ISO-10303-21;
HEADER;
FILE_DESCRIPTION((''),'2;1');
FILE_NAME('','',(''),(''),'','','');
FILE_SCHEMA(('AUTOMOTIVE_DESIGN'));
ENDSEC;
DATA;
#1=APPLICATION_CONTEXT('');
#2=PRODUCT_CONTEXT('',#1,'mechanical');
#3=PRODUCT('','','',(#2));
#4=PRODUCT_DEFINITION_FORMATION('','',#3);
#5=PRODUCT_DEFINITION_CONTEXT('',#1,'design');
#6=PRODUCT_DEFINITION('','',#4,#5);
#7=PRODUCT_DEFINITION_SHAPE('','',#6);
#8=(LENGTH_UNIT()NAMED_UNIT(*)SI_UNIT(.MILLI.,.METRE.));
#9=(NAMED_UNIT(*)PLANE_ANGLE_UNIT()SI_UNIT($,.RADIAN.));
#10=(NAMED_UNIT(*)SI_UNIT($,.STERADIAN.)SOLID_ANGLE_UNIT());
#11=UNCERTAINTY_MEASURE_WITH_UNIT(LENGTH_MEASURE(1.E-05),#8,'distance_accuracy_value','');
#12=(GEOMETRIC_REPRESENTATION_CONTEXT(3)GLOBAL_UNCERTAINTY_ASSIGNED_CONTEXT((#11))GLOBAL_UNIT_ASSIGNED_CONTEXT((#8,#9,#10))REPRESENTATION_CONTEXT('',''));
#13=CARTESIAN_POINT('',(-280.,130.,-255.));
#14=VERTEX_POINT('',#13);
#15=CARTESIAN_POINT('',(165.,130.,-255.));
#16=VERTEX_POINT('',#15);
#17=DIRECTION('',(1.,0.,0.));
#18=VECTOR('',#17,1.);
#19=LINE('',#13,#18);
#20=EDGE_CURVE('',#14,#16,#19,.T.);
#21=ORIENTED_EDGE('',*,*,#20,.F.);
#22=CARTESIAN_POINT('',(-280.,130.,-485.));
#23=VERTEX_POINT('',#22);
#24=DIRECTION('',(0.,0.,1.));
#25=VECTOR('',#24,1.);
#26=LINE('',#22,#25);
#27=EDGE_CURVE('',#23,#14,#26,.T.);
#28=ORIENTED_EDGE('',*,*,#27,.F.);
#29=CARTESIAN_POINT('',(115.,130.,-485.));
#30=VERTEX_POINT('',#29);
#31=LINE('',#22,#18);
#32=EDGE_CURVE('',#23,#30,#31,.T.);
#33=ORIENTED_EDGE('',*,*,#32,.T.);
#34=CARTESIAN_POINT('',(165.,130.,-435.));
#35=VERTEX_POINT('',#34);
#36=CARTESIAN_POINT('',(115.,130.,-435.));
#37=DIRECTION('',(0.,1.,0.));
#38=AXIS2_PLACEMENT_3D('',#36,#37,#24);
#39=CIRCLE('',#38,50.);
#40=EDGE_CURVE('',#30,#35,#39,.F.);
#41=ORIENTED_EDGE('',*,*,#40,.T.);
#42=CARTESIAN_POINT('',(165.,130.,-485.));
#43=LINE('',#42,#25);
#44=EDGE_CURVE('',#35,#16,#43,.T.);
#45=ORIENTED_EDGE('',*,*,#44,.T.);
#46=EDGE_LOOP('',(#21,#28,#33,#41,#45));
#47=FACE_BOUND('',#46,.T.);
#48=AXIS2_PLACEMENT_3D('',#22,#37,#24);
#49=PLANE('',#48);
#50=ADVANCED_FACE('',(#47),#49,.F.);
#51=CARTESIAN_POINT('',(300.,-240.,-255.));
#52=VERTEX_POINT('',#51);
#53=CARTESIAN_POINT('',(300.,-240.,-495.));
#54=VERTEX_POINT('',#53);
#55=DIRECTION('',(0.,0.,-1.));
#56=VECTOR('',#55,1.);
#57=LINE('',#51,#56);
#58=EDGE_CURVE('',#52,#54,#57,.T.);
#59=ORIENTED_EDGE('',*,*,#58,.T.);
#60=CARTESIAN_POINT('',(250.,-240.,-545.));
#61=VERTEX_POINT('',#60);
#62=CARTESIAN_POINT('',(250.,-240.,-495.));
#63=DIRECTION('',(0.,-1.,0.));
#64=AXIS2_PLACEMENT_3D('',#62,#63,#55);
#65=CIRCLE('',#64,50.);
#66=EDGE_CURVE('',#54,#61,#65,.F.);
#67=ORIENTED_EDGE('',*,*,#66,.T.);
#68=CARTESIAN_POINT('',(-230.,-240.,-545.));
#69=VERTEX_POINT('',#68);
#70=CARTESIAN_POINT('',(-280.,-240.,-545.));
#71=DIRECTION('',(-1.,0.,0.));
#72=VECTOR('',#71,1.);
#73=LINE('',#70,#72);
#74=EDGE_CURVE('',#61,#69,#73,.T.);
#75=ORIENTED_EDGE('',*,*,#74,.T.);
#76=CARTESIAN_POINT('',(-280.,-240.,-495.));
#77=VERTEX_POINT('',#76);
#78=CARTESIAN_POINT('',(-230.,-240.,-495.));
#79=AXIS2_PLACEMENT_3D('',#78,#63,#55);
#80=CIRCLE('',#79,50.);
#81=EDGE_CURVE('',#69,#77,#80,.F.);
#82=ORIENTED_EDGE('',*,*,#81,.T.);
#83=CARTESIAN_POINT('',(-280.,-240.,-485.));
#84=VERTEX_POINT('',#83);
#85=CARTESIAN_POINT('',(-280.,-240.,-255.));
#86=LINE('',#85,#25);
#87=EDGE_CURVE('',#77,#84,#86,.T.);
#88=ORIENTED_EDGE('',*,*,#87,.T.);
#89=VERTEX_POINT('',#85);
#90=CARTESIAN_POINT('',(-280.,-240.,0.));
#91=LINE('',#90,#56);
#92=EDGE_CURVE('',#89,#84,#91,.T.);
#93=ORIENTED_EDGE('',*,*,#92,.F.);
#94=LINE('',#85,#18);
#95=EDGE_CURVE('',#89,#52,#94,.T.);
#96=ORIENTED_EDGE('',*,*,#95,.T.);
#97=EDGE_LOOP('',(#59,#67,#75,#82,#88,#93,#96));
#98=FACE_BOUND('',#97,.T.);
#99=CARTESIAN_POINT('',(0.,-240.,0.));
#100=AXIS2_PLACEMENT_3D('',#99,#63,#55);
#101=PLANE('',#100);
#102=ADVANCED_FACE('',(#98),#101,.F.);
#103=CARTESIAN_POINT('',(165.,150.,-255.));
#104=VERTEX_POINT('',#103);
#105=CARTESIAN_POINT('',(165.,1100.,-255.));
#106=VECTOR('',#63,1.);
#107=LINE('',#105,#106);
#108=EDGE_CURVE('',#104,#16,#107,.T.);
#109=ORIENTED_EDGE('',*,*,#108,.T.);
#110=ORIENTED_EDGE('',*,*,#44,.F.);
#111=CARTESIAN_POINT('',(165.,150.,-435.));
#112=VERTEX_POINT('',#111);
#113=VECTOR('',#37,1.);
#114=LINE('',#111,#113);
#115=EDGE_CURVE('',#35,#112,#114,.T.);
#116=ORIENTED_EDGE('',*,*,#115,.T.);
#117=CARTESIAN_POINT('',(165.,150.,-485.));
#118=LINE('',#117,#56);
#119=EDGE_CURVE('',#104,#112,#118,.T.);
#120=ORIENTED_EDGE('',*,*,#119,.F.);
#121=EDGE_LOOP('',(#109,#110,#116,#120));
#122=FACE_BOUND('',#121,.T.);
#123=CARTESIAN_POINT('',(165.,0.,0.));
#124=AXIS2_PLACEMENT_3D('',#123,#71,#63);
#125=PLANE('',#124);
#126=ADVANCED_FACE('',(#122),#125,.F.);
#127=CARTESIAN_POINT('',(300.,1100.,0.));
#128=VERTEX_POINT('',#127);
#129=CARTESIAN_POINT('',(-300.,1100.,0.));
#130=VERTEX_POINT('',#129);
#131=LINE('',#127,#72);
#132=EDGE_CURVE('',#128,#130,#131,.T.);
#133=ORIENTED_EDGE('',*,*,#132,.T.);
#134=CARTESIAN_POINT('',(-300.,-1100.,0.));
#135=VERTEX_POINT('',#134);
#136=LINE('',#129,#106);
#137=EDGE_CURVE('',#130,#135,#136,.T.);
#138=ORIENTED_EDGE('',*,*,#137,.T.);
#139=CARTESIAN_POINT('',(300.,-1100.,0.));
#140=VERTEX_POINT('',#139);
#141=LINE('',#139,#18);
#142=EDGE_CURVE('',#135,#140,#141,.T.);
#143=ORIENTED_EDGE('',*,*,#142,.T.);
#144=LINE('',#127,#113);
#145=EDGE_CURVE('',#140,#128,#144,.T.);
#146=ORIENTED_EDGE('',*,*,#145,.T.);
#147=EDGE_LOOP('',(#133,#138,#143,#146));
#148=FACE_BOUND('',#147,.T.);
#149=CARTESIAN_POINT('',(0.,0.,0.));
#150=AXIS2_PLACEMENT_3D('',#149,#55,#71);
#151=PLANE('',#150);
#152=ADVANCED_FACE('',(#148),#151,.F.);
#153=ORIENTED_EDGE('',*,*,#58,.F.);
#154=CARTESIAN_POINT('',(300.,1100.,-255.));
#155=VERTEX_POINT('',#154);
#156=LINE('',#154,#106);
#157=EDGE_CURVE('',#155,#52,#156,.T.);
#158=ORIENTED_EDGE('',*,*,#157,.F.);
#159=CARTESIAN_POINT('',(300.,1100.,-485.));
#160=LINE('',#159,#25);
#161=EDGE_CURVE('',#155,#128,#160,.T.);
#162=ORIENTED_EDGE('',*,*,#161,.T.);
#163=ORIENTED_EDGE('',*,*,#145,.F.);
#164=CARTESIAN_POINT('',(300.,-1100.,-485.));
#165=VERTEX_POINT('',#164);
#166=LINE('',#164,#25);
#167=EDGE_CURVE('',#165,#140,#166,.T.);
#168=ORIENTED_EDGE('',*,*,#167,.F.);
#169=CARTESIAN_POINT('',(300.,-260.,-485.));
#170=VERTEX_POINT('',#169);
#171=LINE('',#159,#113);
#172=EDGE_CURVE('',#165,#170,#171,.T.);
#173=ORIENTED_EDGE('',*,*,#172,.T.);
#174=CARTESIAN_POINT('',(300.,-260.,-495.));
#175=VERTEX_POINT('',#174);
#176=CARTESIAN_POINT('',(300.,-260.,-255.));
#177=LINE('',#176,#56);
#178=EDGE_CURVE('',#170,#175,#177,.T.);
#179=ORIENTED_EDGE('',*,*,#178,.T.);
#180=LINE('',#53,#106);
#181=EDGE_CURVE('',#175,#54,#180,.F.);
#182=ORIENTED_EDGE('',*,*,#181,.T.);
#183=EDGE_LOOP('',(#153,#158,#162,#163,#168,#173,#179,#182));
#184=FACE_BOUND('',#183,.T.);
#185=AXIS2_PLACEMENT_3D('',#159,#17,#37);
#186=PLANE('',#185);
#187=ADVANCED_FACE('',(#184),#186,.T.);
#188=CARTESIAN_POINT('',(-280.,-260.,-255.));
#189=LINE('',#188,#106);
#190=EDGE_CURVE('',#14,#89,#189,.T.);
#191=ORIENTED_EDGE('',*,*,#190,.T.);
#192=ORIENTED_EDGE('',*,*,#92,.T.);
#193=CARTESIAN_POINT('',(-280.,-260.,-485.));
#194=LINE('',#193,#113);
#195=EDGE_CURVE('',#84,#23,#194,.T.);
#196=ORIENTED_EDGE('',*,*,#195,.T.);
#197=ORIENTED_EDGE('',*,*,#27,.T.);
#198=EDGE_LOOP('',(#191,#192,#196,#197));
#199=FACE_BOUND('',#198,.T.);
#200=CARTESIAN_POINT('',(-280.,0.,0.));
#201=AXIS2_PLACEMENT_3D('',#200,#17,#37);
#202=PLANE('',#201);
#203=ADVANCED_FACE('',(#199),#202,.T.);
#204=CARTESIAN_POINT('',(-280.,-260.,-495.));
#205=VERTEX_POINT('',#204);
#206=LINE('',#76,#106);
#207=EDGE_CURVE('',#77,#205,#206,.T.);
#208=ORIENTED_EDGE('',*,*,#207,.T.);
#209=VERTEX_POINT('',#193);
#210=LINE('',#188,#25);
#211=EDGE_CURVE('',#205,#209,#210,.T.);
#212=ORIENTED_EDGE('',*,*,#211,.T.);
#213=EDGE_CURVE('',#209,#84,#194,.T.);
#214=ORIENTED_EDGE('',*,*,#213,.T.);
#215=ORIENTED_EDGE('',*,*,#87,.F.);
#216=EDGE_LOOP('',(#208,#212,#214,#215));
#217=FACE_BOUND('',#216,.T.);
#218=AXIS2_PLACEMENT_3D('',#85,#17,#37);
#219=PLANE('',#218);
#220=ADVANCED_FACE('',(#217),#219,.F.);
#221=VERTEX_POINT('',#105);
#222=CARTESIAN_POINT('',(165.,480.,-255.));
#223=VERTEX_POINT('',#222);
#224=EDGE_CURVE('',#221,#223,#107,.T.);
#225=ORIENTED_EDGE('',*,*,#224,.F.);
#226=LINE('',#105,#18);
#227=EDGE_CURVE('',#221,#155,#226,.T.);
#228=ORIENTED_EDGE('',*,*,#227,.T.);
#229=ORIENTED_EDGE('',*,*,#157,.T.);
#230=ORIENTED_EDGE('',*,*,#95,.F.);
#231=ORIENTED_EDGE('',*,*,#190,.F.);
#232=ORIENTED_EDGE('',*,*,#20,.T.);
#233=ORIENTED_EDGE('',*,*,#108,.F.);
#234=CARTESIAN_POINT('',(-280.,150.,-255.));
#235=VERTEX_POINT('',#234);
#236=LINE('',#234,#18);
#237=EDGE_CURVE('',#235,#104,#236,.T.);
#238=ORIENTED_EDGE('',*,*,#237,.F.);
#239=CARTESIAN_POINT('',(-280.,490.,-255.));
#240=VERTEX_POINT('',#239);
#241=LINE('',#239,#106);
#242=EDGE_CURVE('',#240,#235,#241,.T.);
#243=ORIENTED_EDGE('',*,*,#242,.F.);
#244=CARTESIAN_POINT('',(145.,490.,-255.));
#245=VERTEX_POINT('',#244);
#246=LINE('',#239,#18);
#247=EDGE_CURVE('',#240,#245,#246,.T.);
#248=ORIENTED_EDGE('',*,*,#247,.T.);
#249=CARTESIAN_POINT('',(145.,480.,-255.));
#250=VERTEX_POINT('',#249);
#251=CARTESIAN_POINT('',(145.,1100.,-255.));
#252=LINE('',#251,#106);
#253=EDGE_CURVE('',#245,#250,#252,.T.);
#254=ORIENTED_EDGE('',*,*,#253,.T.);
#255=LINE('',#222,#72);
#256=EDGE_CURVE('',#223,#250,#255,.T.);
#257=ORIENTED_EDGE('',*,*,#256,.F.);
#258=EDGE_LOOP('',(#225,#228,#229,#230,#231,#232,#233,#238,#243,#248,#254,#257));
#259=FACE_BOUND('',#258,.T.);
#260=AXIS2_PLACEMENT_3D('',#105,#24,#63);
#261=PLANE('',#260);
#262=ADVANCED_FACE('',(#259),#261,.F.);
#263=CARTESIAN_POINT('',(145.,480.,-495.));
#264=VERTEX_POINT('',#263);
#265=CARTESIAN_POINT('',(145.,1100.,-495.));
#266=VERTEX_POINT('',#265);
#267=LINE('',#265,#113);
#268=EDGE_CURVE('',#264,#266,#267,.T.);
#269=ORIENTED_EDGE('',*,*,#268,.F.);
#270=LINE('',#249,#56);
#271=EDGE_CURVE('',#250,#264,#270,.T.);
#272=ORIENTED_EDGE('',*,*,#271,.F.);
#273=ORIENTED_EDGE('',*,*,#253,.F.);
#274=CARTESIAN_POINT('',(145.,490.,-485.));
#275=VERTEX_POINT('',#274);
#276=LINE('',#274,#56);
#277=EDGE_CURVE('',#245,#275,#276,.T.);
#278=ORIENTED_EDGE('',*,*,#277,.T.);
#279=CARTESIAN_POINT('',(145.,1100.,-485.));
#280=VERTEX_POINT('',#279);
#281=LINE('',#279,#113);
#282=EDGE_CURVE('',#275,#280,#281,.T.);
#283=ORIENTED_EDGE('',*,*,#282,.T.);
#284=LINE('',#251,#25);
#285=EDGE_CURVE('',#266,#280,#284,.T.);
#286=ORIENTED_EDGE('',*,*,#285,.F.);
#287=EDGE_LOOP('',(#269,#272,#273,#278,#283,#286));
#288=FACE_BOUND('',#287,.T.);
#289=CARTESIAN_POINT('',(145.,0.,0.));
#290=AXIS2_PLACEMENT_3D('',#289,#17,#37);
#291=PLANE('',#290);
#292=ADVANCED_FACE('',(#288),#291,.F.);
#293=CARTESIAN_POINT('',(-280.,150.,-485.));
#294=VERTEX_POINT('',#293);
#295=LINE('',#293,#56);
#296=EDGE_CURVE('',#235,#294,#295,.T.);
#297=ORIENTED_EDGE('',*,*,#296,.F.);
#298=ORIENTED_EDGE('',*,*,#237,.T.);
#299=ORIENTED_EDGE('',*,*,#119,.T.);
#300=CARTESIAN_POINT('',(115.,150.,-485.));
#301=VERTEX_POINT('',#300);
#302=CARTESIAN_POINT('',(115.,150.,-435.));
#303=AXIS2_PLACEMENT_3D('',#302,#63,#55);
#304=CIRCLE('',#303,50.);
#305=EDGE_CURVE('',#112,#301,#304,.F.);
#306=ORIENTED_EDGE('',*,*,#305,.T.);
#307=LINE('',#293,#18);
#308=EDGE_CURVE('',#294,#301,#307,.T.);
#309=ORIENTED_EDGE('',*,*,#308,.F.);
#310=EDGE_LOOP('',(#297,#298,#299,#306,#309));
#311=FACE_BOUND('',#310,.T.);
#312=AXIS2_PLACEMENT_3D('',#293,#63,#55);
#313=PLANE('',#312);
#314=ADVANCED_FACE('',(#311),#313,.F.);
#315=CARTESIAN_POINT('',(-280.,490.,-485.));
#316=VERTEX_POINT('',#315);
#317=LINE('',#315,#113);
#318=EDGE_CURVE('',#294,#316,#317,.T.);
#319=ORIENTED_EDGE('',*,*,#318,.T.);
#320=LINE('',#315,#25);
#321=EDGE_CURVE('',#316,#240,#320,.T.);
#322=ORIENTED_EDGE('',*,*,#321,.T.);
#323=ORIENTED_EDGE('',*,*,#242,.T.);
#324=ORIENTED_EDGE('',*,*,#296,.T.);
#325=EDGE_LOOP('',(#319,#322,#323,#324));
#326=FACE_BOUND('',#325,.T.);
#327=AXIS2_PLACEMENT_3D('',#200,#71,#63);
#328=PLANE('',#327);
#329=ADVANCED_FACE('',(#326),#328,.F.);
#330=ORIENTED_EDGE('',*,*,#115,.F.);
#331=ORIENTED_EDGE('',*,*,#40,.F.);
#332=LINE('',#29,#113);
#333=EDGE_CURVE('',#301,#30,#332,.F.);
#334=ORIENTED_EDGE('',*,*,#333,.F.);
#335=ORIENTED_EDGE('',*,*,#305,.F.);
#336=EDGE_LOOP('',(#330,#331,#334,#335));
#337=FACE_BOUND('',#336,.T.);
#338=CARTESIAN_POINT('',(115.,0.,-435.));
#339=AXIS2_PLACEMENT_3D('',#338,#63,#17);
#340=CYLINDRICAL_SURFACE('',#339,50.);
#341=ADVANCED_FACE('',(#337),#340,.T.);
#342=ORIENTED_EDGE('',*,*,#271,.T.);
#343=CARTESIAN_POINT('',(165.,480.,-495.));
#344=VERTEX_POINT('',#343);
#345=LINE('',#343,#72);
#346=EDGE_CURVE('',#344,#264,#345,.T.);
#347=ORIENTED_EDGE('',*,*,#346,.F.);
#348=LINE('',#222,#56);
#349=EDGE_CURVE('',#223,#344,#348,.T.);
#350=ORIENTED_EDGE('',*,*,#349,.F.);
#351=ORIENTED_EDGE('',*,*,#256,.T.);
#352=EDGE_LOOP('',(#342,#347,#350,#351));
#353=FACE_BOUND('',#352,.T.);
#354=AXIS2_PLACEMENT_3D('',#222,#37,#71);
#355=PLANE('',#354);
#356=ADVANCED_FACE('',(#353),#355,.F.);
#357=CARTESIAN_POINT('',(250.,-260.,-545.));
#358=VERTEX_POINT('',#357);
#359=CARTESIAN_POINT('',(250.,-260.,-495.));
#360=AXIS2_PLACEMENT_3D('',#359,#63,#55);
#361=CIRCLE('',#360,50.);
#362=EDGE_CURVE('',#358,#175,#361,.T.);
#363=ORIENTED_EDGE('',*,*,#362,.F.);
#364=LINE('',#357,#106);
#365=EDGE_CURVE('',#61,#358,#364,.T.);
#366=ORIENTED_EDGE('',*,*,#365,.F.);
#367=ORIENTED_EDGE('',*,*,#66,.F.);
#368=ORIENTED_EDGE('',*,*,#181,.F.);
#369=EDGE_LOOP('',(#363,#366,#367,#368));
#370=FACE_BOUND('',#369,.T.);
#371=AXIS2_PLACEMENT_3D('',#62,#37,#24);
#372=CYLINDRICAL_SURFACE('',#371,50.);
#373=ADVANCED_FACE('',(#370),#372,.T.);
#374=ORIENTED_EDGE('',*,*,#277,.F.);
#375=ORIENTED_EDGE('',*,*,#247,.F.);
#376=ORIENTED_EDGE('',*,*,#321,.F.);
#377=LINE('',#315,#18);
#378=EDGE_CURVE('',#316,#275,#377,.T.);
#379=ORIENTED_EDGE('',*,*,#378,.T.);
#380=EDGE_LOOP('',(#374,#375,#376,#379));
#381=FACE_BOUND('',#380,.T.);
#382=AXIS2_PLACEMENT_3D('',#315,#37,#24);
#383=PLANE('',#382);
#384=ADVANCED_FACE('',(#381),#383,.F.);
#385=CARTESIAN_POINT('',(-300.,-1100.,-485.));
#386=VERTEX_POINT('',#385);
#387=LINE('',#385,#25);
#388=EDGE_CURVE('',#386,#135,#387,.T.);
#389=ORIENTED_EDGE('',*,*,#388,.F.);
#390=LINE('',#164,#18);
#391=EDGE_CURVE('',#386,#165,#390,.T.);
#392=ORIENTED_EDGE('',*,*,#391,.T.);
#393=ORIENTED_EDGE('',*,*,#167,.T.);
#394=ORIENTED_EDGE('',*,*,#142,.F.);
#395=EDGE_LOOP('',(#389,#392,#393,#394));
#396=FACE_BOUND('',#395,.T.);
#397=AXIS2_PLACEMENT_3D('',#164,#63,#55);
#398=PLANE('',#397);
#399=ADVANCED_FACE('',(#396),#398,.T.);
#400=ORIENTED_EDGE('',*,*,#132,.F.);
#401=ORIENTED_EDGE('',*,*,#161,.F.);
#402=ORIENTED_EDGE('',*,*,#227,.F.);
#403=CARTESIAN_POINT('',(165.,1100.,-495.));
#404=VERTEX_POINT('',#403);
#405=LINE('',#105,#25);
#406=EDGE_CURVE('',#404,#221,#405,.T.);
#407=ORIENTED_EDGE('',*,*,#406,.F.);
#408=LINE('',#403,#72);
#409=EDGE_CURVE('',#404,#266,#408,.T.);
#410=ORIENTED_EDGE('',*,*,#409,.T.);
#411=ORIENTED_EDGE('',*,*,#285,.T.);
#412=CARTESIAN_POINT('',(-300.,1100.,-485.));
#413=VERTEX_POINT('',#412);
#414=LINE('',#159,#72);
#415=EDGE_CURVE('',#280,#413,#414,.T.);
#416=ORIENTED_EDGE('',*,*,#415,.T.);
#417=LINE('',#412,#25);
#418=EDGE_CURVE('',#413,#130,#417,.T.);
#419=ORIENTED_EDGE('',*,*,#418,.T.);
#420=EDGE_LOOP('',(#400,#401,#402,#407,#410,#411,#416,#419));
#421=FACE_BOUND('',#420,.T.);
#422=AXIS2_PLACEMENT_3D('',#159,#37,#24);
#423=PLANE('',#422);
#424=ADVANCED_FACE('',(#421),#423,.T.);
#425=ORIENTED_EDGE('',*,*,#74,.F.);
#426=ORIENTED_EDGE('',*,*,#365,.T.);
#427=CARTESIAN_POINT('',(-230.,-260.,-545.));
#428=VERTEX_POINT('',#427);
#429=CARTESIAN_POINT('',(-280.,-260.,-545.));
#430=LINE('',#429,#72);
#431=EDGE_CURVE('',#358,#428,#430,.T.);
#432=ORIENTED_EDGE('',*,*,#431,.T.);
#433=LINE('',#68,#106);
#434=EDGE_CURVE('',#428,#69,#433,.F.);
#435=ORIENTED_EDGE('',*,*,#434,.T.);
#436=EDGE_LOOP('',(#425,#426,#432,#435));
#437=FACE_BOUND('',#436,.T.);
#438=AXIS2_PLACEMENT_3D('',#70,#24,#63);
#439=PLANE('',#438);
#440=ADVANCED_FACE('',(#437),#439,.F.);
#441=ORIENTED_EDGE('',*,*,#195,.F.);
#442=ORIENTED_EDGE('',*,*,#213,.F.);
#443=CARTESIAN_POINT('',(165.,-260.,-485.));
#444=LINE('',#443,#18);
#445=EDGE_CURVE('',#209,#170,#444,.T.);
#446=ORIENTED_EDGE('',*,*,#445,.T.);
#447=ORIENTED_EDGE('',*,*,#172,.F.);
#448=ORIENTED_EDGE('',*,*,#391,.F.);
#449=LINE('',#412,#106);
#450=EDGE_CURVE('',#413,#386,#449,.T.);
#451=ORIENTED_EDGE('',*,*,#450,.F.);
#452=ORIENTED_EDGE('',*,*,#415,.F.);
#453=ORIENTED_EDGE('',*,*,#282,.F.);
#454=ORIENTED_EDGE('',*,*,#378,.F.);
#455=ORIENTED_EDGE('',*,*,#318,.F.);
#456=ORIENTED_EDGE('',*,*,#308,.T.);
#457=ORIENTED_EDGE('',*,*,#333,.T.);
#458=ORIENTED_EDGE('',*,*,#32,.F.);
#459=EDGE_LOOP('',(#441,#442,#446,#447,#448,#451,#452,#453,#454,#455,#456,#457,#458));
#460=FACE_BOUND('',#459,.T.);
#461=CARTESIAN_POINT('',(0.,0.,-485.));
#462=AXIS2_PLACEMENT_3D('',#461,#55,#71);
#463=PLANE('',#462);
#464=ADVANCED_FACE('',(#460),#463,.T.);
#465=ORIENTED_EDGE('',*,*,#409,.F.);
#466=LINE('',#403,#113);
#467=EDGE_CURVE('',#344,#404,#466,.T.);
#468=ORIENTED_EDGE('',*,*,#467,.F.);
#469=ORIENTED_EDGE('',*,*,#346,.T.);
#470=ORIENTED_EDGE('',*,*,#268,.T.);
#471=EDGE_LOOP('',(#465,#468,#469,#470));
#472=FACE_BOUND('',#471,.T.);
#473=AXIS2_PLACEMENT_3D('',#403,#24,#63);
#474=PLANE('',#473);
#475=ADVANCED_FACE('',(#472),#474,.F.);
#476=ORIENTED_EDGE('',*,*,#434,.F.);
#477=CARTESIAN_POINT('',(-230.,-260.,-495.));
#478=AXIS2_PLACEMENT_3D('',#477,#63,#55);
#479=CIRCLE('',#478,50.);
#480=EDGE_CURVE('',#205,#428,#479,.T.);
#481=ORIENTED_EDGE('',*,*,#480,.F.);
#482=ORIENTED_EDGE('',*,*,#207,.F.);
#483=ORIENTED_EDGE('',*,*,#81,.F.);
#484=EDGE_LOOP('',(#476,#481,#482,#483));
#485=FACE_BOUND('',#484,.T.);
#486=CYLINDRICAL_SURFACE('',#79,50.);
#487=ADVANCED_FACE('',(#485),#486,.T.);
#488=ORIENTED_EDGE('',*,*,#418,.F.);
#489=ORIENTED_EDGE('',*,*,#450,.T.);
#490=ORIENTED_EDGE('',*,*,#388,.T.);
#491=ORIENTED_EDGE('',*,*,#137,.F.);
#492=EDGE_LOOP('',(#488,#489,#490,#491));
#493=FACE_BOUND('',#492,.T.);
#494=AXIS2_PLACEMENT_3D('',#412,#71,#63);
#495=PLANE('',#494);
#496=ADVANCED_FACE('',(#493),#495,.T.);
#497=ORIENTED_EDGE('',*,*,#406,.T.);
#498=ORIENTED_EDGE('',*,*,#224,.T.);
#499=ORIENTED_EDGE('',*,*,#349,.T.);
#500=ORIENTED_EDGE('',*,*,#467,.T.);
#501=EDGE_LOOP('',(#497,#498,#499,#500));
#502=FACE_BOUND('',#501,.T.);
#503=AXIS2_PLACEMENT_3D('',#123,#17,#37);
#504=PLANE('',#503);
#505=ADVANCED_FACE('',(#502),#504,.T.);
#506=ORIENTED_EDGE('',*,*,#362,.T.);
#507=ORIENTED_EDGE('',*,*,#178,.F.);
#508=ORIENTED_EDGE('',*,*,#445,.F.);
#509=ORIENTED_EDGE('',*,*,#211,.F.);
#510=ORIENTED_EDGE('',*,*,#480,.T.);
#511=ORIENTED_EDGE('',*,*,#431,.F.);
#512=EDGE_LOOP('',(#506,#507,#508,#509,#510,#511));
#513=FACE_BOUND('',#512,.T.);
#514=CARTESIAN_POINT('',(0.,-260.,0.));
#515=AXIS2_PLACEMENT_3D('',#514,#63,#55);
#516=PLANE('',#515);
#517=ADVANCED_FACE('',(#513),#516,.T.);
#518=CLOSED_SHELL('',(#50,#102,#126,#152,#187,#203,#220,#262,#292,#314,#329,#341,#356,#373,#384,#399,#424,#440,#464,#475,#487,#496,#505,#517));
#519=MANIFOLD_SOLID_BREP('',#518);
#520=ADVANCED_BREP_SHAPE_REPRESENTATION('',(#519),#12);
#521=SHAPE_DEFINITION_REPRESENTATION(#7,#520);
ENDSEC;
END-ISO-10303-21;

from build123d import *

# Parameters (mm, degrees)
SKETCH_1_W          = 600
SKETCH_1_H          = 2200
EXTRUDE_1_DEPTH     = 485
SKETCH_2_W          = 230
SKETCH_2_H          = 1360
CUT_EXTRUDE_1_DEPTH = 135
SKETCH_3_W          = 230
SKETCH_3_H          = 390
CUT_EXTRUDE_2_DEPTH = 445
SKETCH_4_W          = 230
SKETCH_4_H          = 340
CUT_EXTRUDE_3_DEPTH = 445
SKETCH_5_W          = 580
SKETCH_5_H          = 290
EXTRUDE_2_DEPTH     = 20
FILLET_1_R          = 50
SKETCH_6_W          = 230
SKETCH_6_H          = 610
CUT_EXTRUDE_4_DEPTH = 20
SKETCH_7_W          = 240
SKETCH_7_H          = 620
EXTRUDE_3_DEPTH     = 20
FILLET_2_R          = 50
FILLET_3_R          = 50


with BuildPart() as part:
    # 스케치1 → 보스-돌출1 (new body)
    with BuildSketch(Plane.XY):
        Rectangle(SKETCH_1_W, SKETCH_1_H)
    extrude(amount=-EXTRUDE_1_DEPTH)

    # 스케치2 → 컷-돌출1 (cut)
    with BuildSketch(Plane(origin=(300, 0, 0), x_dir=(0, 0, -1), z_dir=(1, 0, 0))):
        with Locations((370, 420)):
            Rectangle(SKETCH_2_W, SKETCH_2_H)
    extrude(amount=-CUT_EXTRUDE_1_DEPTH, mode=Mode.SUBTRACT)

    # 스케치3 → 컷-돌출2 (cut)
    with BuildSketch(Plane(origin=(165, 0, 0), x_dir=(0, 0, -1), z_dir=(1, 0, 0))):
        with Locations((370, -65)):
            Rectangle(SKETCH_3_W, SKETCH_3_H)
    extrude(amount=-CUT_EXTRUDE_2_DEPTH, mode=Mode.SUBTRACT)

    # 스케치4 → 컷-돌출3 (cut)
    with BuildSketch(Plane(origin=(165, 0, 0), x_dir=(0, 0, -1), z_dir=(1, 0, 0))):
        with Locations((370, 320)):
            Rectangle(SKETCH_4_W, SKETCH_4_H)
    extrude(amount=-CUT_EXTRUDE_3_DEPTH, mode=Mode.SUBTRACT)

    # 스케치5 → 보스-돌출2 (add)
    with BuildSketch(Plane(origin=(0, -260, 0), x_dir=(1, 0, 0), z_dir=(0, 1, 0))):
        with Locations((10, 400)):
            Rectangle(SKETCH_5_W, SKETCH_5_H)
    extrude(amount=EXTRUDE_2_DEPTH)

    # 필렛1
    fillet_1_edges = [part.edges().sort_by_distance(p)[0] for p in [
        (300, -250, -545),
    ]]
    fillet(fillet_1_edges, radius=FILLET_1_R)

    # 스케치6 → 컷-돌출4 (cut)
    with BuildSketch(Plane(origin=(165, 0, 0), x_dir=(0, 0, -1), z_dir=(1, 0, 0))):
        with Locations((370, 795)):
            Rectangle(SKETCH_6_W, SKETCH_6_H)
    extrude(amount=-CUT_EXTRUDE_4_DEPTH, mode=Mode.SUBTRACT)

    # 스케치7 → 보스-돌출3 (add)
    with BuildSketch(Plane(origin=(145, 0, 0), x_dir=(0, 0, -1), z_dir=(1, 0, 0))):
        with Locations((375, 790)):
            Rectangle(SKETCH_7_W, SKETCH_7_H)
    extrude(amount=EXTRUDE_3_DEPTH)

    # 필렛2
    fillet_2_edges = [part.edges().sort_by_distance(p)[0] for p in [
        (-280, -250, -545),
    ]]
    fillet(fillet_2_edges, radius=FILLET_2_R)

    # 필렛3
    fillet_3_edges = [part.edges().sort_by_distance(p)[0] for p in [
        (165, 140, -485),
    ]]
    fillet(fillet_3_edges, radius=FILLET_3_R)


solid = part.part
